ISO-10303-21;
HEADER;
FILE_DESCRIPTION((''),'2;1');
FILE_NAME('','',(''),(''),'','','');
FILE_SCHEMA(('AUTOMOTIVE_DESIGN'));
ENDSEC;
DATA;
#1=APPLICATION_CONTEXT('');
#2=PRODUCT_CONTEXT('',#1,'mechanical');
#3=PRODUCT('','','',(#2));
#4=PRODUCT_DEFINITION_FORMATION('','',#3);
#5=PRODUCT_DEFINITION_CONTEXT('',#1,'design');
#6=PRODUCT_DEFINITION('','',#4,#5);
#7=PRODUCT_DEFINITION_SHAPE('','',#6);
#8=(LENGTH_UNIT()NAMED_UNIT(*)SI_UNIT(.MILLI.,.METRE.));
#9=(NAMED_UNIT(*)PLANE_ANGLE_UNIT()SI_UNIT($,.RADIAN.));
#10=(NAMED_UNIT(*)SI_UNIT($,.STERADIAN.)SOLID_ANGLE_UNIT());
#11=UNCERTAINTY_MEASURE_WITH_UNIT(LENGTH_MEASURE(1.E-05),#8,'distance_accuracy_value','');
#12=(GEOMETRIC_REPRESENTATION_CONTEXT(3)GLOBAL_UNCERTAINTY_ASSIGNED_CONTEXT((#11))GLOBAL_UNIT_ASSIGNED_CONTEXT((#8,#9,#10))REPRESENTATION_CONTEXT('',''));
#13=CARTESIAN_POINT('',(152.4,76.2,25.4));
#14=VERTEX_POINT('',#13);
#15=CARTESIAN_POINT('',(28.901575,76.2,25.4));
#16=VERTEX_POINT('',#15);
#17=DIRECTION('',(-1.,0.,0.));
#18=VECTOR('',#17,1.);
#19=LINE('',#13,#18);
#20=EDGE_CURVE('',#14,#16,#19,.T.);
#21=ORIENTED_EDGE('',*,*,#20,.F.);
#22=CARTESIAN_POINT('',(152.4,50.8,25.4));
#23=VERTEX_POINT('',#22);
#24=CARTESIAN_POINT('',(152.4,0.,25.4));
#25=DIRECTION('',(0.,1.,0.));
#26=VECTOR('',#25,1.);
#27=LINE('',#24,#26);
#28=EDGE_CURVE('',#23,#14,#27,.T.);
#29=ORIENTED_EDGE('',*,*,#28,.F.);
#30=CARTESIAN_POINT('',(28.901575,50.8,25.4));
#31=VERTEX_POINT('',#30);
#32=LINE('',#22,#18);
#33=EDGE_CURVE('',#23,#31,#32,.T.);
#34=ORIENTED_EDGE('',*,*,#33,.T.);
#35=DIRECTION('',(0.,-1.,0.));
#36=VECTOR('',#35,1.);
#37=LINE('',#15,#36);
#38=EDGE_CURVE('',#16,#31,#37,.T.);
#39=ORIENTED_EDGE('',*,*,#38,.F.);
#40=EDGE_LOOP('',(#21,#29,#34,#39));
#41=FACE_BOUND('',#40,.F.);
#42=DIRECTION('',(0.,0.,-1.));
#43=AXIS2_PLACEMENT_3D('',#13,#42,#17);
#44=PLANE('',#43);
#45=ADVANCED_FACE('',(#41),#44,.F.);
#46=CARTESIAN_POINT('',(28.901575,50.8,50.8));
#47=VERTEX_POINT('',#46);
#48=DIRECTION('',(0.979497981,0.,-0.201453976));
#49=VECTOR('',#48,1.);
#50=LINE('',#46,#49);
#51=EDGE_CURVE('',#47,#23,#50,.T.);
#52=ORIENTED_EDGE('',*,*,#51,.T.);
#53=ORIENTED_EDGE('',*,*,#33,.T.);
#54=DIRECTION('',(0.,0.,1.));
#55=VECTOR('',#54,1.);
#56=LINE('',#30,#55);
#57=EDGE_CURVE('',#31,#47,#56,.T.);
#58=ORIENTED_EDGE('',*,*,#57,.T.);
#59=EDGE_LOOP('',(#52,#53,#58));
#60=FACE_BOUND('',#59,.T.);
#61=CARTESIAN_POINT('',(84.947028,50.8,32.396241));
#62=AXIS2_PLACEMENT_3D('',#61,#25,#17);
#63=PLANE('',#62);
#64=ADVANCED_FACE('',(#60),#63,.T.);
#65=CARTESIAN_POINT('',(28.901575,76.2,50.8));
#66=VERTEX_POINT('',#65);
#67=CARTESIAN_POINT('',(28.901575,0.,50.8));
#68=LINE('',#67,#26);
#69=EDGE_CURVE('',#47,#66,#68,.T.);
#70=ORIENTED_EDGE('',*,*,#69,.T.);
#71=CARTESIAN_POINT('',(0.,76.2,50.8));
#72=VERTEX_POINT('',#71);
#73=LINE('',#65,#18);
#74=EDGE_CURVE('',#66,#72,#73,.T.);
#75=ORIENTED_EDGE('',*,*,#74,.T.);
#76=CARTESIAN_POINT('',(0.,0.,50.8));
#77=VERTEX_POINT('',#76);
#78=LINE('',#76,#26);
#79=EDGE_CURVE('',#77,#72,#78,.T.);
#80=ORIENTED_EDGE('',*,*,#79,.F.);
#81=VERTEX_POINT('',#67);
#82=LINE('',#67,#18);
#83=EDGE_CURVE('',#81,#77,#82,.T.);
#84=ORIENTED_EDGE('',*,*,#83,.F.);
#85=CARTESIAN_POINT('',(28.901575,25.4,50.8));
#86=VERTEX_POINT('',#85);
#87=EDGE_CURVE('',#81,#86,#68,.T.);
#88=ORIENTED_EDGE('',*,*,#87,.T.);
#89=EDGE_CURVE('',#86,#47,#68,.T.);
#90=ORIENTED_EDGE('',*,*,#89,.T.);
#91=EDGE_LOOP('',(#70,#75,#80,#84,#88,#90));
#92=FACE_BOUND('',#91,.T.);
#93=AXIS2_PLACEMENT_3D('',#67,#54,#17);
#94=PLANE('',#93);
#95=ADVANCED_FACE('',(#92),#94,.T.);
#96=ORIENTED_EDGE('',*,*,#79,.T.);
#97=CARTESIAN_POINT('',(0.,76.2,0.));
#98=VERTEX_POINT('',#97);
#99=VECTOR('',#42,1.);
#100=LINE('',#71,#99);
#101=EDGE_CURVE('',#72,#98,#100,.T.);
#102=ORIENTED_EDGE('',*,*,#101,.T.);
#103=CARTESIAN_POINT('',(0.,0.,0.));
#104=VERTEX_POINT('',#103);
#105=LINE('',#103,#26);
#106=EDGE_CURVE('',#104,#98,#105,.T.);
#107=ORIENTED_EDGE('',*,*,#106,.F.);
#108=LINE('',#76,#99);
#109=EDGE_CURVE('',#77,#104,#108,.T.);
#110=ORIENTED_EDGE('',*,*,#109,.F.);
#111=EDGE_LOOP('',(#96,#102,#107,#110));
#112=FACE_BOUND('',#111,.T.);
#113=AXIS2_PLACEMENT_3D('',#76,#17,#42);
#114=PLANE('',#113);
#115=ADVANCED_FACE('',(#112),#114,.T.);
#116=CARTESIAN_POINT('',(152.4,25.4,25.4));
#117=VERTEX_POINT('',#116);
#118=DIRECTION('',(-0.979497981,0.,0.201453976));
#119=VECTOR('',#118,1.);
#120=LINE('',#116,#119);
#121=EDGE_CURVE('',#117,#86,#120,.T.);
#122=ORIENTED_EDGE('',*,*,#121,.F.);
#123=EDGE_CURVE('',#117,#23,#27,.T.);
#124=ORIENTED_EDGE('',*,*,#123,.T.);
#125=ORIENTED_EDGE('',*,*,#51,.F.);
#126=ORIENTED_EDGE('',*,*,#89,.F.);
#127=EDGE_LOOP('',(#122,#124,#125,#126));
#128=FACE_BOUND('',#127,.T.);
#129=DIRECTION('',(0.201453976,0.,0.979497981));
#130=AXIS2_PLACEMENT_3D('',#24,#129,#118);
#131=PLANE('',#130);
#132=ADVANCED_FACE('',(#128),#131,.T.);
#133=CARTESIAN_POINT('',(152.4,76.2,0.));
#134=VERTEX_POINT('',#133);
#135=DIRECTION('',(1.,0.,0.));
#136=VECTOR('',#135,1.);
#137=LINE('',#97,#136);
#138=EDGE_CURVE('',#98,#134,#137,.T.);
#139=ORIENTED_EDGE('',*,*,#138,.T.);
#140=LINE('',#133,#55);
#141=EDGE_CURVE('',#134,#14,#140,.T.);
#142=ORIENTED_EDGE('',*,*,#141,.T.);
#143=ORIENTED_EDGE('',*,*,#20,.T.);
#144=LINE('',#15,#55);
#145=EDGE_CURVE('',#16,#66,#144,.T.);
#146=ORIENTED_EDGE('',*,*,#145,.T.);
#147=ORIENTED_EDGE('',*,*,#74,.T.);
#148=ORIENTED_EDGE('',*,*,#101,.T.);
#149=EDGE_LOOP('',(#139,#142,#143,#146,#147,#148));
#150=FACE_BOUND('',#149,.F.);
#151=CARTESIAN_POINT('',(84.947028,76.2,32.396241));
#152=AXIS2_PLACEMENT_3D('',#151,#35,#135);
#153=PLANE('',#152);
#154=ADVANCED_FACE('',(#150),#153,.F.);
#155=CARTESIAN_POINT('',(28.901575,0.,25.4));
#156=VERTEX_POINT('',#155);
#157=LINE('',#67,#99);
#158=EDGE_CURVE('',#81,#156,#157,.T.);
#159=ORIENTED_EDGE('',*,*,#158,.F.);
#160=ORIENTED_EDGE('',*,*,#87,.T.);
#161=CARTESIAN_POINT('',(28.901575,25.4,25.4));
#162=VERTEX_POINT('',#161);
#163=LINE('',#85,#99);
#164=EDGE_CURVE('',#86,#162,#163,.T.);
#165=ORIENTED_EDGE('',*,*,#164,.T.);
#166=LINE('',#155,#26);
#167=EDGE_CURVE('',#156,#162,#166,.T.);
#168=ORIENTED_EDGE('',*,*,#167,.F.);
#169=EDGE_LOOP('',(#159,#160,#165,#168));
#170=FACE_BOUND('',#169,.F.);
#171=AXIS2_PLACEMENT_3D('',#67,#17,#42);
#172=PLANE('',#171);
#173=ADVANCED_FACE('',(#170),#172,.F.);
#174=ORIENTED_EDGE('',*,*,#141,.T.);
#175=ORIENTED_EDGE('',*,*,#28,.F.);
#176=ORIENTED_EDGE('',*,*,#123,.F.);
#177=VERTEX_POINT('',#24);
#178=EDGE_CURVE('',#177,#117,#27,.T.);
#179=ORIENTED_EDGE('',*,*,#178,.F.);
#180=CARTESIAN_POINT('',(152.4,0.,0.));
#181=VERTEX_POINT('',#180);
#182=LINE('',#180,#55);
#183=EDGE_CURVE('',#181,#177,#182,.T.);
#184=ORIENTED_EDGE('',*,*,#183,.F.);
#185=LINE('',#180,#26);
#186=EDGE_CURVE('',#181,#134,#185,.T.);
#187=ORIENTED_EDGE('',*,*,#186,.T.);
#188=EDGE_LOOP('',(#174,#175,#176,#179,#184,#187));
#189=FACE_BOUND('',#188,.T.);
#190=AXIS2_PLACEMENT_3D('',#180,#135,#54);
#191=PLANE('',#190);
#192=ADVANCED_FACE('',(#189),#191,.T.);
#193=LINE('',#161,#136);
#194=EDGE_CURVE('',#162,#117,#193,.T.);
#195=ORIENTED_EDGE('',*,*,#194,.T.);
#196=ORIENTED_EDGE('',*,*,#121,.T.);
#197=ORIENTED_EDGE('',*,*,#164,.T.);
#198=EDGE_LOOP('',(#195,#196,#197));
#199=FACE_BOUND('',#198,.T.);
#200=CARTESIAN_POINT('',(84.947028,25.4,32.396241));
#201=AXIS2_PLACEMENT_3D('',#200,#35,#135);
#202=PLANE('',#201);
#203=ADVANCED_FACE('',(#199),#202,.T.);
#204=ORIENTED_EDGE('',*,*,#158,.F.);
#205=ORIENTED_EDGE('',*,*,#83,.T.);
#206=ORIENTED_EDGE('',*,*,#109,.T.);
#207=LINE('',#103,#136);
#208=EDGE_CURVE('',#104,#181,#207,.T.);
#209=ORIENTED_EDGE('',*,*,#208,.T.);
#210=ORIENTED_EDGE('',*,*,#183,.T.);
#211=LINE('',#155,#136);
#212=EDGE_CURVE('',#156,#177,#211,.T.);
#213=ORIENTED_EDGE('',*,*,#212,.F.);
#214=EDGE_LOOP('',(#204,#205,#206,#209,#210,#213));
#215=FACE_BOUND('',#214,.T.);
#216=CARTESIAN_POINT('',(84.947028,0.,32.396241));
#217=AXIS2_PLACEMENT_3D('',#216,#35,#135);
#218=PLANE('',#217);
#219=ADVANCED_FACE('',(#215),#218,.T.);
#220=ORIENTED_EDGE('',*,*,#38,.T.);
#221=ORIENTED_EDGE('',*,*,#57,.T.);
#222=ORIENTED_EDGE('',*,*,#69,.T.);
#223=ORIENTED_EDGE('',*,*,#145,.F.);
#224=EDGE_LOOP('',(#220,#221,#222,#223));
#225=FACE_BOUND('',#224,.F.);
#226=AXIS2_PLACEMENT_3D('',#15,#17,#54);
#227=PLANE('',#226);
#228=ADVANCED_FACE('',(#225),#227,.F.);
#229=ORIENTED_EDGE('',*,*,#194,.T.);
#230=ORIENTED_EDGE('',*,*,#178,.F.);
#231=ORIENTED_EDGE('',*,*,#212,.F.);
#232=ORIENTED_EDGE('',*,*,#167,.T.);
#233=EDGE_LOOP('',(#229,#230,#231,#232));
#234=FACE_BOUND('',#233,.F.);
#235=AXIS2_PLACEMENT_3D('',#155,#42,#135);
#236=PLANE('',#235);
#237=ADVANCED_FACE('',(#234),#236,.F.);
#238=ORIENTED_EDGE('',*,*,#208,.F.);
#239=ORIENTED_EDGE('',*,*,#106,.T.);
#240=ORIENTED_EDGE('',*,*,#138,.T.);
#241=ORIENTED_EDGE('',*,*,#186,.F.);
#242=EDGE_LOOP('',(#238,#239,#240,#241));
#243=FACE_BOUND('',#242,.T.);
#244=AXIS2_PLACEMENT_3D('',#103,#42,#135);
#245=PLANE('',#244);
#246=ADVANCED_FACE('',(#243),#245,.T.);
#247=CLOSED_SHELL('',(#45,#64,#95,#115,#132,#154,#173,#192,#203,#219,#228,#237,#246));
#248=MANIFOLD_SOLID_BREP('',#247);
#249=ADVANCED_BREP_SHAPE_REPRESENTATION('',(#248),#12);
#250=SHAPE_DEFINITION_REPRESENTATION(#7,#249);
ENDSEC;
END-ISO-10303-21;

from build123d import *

# Parameters (mm, degrees)
F1_DEPTH = 76.2
F3_DEPTH = 76.2
F5_DEPTH = 25.4
F7_DEPTH = 25.4


with BuildPart() as f1:
    # F0 (on Front) → F1 (new body)
    with BuildSketch(Plane.XZ):
        Polygon((0, 50.8), (0, 0), (152.4, 0), (152.4, 25.4), (28.901575, 25.4), (28.901575, 50.8), align=None)
    extrude(amount=-F1_DEPTH)

    # F2 (on face) → F3 (join)
    with BuildSketch(Plane.XZ):
        Polygon((152.4, 25.4), (28.901575, 50.8), (28.901575, 25.4), align=None)
    extrude(amount=-F3_DEPTH)

    # F4 (on face) → F5 (cut)
    with BuildSketch(Plane.XZ):
        Polygon((152.4, 25.4), (28.901575, 50.8), (28.901575, 25.4), align=None)
    extrude(amount=-F5_DEPTH, mode=Mode.SUBTRACT)

    # F6 (on face) → F7 (cut)
    with BuildSketch(Plane(origin=(0, 76.2, 0), x_dir=(-1, 0, 0), z_dir=(0, 1, 0))):
        Polygon((-28.901575, 50.8), (-152.4, 25.4), (-28.901575, 25.4), align=None)
    extrude(amount=-F7_DEPTH, mode=Mode.SUBTRACT)


solid = f1.part
